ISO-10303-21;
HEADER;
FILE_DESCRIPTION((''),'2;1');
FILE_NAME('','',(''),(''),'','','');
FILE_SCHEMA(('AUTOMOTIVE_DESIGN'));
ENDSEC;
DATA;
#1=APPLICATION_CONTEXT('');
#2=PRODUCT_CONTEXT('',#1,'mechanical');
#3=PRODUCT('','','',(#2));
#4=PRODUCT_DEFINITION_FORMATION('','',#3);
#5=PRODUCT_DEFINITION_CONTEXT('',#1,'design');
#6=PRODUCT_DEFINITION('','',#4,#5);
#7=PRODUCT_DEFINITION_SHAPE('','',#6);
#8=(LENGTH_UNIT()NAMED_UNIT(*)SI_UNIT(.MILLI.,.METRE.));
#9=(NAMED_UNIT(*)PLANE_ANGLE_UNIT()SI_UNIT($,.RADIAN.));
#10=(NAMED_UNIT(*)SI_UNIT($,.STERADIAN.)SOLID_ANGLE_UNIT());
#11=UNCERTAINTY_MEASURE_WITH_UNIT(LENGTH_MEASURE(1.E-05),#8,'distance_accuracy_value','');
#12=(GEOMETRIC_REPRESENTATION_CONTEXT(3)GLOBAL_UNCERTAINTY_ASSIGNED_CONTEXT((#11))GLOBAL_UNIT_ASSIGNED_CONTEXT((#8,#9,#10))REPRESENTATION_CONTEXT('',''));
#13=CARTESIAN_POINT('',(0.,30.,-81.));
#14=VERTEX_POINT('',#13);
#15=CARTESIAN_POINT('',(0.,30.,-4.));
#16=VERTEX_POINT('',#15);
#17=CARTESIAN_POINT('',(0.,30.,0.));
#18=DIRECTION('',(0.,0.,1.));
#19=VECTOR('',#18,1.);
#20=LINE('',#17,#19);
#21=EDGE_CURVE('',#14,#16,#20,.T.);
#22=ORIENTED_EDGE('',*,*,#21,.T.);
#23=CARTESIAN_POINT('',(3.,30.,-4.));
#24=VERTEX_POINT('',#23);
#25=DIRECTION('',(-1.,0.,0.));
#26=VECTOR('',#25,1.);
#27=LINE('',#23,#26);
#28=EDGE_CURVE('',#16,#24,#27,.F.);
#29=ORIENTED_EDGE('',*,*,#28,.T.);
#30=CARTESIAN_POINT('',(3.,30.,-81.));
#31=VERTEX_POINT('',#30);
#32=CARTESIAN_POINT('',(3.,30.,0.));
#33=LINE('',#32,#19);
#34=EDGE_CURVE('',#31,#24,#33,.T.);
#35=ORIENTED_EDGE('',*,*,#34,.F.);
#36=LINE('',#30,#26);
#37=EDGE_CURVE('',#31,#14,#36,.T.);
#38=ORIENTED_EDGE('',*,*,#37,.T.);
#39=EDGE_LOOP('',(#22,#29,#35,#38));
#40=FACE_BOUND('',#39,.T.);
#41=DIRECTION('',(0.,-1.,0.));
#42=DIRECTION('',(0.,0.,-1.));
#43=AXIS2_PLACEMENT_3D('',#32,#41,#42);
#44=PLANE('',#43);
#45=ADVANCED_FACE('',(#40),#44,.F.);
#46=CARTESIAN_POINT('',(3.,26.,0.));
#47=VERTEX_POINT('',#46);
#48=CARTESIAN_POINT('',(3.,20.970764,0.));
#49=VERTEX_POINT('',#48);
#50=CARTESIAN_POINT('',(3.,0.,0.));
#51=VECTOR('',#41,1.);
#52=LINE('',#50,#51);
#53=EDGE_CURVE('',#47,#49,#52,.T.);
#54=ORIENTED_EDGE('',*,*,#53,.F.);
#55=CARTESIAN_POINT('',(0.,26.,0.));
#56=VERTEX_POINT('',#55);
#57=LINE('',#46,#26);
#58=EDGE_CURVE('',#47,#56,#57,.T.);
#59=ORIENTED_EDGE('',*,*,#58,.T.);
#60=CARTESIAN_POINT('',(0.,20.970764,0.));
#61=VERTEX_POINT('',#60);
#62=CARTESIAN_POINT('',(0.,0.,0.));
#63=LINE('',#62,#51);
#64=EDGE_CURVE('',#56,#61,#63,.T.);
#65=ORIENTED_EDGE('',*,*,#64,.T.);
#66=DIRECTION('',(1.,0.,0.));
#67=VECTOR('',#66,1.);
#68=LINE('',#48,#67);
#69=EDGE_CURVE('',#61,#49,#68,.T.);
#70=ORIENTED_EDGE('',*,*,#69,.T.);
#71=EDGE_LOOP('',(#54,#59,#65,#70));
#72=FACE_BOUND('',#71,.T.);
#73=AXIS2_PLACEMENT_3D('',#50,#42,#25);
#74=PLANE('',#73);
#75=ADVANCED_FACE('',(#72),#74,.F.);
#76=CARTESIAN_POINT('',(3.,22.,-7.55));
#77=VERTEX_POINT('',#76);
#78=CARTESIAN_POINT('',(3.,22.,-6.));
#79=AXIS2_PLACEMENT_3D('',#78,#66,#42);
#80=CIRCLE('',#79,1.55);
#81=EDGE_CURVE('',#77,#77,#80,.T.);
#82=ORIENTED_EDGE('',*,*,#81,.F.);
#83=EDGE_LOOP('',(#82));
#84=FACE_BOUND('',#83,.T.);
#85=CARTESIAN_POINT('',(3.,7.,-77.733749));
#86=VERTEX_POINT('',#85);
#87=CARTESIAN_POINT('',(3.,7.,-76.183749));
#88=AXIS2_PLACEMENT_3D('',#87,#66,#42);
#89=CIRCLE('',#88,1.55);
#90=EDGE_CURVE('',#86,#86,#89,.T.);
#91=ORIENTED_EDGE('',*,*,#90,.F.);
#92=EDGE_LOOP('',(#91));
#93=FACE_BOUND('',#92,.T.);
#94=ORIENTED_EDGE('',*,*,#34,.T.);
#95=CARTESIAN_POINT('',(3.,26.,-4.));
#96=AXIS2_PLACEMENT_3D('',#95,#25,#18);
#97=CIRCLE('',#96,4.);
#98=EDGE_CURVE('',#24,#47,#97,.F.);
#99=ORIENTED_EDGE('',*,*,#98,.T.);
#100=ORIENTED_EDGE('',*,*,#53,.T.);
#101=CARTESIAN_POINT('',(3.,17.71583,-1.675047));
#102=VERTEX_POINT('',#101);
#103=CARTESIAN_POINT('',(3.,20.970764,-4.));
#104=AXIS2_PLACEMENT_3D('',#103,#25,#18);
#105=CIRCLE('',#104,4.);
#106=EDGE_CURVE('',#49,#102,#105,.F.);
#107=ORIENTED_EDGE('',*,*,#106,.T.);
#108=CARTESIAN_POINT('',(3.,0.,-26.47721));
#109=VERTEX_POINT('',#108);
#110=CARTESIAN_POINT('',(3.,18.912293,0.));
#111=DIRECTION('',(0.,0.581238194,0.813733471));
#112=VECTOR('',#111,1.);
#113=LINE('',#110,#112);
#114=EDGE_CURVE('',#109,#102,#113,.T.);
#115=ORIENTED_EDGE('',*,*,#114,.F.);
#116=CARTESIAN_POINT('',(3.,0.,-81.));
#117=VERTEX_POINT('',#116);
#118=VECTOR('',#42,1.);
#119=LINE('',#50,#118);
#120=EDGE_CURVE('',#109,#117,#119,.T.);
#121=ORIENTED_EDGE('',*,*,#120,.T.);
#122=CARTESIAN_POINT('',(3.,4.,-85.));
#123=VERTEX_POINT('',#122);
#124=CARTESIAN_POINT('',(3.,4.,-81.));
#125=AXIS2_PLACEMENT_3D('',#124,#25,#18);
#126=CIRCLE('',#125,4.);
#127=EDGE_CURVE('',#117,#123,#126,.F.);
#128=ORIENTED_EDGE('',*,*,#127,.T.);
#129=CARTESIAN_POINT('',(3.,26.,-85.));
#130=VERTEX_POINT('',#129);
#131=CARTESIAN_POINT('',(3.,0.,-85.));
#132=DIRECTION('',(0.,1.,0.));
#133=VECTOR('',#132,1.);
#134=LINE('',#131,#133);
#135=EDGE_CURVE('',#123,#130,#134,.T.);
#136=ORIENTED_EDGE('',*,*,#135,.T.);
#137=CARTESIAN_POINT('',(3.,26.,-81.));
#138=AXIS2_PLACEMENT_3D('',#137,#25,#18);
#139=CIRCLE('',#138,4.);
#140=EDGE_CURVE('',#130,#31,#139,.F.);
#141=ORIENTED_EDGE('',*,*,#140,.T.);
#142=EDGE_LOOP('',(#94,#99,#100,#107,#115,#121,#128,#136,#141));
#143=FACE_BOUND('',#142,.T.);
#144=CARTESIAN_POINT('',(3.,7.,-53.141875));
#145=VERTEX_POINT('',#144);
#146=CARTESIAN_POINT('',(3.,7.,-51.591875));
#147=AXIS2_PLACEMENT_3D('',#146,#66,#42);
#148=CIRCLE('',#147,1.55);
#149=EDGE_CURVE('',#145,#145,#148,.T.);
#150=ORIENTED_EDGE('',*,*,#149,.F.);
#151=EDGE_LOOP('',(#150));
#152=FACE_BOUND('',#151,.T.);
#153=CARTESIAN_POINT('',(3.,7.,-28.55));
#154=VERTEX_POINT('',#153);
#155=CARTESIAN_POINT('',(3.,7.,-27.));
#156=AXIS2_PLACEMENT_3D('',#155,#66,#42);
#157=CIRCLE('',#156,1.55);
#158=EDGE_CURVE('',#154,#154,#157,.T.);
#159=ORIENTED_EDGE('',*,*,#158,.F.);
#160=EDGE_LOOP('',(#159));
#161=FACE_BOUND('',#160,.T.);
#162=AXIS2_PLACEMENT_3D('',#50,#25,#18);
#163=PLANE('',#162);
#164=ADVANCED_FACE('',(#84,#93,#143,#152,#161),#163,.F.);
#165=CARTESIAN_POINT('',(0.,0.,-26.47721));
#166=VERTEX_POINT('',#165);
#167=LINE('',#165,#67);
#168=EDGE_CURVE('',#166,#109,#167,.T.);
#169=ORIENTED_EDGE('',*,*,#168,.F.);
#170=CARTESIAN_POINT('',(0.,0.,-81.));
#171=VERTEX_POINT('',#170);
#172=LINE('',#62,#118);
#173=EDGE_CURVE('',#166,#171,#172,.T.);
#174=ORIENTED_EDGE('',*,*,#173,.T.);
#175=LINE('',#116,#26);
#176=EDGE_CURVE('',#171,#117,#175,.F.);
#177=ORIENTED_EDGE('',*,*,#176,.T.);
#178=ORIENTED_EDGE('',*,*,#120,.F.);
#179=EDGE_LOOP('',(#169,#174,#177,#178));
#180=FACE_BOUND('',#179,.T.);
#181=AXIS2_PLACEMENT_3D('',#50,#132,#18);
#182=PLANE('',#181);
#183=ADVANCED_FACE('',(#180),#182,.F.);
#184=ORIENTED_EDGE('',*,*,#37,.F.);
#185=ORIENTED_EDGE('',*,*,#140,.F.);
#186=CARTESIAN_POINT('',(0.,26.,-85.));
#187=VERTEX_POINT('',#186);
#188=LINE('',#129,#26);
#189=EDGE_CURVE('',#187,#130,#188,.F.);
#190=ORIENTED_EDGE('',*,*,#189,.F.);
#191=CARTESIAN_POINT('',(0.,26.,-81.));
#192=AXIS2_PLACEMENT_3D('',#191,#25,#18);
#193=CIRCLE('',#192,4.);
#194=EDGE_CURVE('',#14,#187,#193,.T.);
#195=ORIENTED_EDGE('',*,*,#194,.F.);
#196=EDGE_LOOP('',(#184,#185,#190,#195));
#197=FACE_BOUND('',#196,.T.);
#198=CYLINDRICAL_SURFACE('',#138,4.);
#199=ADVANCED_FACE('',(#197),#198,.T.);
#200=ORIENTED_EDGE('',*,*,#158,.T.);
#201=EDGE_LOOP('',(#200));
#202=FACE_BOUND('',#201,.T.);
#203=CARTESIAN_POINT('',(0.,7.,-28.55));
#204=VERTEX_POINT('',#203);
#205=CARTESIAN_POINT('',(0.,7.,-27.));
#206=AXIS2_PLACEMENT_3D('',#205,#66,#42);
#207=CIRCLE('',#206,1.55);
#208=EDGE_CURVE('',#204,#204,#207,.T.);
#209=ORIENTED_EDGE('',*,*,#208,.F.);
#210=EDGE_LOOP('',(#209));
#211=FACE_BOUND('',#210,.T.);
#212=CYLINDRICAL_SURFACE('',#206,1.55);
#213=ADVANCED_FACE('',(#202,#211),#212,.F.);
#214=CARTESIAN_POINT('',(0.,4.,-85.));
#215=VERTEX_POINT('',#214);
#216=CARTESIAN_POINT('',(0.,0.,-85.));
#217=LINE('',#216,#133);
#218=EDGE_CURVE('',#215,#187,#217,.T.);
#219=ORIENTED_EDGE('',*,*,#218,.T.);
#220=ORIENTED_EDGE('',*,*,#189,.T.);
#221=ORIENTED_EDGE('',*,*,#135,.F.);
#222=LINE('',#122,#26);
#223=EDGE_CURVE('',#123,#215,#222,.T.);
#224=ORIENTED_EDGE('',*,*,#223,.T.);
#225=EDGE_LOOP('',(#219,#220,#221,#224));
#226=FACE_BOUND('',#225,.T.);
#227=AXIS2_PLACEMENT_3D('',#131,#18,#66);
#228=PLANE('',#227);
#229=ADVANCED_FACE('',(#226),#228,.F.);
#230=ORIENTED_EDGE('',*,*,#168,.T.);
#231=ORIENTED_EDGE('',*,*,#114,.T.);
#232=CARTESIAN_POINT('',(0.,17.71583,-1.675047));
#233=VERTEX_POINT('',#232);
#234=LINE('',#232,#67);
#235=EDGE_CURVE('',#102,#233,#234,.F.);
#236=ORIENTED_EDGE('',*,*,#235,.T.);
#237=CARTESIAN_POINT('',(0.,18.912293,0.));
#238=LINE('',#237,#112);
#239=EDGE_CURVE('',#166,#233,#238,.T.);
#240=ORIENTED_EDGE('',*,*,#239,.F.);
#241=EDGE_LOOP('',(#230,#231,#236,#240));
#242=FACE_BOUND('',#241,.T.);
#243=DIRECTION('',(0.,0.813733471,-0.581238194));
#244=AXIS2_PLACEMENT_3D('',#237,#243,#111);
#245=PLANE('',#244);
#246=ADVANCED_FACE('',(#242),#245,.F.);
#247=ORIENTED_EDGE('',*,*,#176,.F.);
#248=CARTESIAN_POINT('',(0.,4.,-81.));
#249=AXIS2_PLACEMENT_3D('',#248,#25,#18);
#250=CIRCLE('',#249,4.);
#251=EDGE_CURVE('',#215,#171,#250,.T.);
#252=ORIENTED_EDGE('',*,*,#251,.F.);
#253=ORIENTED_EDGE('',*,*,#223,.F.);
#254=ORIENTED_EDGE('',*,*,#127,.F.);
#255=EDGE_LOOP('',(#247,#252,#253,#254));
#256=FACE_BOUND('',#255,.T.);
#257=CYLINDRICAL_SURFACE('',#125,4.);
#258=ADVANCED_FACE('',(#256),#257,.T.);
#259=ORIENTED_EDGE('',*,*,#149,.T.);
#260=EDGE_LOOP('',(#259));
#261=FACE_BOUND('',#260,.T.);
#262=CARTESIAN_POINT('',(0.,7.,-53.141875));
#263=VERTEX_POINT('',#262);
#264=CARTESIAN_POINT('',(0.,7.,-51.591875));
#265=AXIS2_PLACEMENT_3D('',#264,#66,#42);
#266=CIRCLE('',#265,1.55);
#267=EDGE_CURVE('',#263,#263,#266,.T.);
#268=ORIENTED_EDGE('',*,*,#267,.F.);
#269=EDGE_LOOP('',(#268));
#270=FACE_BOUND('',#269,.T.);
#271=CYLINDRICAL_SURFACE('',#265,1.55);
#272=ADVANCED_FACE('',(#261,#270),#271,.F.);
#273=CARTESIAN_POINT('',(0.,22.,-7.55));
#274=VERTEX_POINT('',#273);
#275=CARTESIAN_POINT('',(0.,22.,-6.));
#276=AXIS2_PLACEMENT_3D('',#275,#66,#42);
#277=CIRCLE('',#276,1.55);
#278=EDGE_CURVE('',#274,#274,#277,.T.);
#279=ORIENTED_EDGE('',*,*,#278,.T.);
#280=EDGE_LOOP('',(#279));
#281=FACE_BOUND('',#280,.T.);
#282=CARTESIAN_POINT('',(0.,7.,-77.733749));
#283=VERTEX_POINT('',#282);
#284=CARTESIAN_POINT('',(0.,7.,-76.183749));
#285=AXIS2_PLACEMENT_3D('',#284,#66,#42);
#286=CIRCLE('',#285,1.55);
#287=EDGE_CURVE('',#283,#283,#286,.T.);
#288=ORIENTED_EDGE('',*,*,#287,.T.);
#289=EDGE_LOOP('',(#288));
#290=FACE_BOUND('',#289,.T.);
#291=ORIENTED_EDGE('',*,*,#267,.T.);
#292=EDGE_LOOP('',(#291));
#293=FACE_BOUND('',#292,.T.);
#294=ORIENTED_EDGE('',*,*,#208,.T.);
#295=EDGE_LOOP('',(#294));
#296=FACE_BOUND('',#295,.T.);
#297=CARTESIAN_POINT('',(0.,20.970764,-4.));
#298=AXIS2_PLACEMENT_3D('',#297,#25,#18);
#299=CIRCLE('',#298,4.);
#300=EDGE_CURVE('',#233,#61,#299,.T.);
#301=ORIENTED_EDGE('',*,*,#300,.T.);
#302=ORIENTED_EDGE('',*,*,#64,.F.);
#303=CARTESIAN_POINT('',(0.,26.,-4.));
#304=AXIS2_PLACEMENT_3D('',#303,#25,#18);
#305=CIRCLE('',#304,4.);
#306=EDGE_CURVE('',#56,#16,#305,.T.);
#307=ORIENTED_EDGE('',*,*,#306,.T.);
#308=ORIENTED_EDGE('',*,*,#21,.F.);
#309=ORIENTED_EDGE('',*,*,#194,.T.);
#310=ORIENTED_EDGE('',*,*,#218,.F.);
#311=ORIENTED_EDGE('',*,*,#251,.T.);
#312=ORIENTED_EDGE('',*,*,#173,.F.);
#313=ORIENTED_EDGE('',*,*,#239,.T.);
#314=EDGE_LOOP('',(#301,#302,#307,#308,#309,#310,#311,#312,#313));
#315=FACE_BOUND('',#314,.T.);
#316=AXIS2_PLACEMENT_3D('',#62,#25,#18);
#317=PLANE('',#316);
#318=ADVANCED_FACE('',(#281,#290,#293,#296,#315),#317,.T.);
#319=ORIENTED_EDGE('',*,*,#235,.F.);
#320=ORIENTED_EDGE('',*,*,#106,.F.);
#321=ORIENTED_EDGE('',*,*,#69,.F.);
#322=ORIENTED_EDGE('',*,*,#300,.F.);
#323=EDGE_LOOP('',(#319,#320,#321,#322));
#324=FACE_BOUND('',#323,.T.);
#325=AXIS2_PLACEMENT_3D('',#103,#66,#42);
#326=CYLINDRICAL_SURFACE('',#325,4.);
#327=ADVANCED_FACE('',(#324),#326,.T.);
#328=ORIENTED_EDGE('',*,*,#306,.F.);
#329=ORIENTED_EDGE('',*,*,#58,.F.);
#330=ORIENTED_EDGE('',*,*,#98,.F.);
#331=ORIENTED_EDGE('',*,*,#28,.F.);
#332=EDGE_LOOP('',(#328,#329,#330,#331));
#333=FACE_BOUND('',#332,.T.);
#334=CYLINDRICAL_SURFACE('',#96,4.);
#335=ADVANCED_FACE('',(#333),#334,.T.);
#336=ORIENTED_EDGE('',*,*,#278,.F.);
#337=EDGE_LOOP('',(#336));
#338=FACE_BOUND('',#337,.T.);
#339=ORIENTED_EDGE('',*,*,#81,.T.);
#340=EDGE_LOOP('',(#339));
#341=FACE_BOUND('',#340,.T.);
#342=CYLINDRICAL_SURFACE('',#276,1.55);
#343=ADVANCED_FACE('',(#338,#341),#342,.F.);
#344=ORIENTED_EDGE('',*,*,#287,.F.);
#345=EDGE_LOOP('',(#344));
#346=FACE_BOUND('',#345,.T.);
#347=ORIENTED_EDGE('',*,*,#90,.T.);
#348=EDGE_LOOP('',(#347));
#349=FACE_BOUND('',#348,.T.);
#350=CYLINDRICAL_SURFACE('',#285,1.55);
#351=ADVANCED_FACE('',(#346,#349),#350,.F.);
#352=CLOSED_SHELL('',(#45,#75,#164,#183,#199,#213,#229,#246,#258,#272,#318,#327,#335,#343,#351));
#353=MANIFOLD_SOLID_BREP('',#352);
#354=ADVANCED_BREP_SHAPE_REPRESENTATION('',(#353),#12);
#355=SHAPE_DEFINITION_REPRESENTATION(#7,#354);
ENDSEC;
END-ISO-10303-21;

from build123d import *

# Parameters (mm, degrees)
SKIZZE1_W                       = 85
SKIZZE1_H                       = 30
AUFSATZ_LINEAR_AUSTRAGEN1_DEPTH = 3
SKIZZE2_R                       = 1.55
SCHNITT_LINEAR_AUSTRAGEN1_DEPTH = 4
SCHNITT_LINEAR_AUSTRAGEN2_DEPTH = 4
VERRUNDUNG1_R                   = 4


with BuildPart() as part:
    # Skizze1 → Aufsatz-Linear austragen1 (new body)
    with BuildSketch(Plane(origin=(0, 0, 0), x_dir=(0, 0, -1), z_dir=(1, 0, 0))):
        with Locations((42.5, 15)):
            Rectangle(SKIZZE1_W, SKIZZE1_H)
    extrude(amount=AUFSATZ_LINEAR_AUSTRAGEN1_DEPTH)

    # Skizze2 → Schnitt-Linear austragen1 (cut, through all)
    with BuildSketch(Plane(origin=(3, 0, 0), x_dir=(0, 0, -1), z_dir=(1, 0, 0))):
        with Locations((6, 22)):
            Circle(SKIZZE2_R)
        with Locations((27, 7)):
            Circle(SKIZZE2_R)
        with Locations((51.59187467, 7)):
            Circle(SKIZZE2_R)
        with Locations((76.183749339, 7)):
            Circle(SKIZZE2_R)
    extrude(amount=-SCHNITT_LINEAR_AUSTRAGEN1_DEPTH, mode=Mode.SUBTRACT)

    # Skizze3 → Schnitt-Linear austragen2 (cut, through all)
    with BuildSketch(Plane(origin=(3, 0, 0), x_dir=(0, 0, -1), z_dir=(1, 0, 0))):
        Polygon((0, 18.912292628), (26.47720968, 0), (0, 0), align=None)
    extrude(amount=-SCHNITT_LINEAR_AUSTRAGEN2_DEPTH, mode=Mode.SUBTRACT)

    # Verrundung1
    verrundung1_edges = [part.edges().sort_by_distance(p)[0] for p in [
        (1.5, 18.912292628, 0),
        (1.5, 30, 0),
        (1.5, 30, -85),
        (1.5, 0, -85),
    ]]
    fillet(verrundung1_edges, radius=VERRUNDUNG1_R)


solid = part.part
